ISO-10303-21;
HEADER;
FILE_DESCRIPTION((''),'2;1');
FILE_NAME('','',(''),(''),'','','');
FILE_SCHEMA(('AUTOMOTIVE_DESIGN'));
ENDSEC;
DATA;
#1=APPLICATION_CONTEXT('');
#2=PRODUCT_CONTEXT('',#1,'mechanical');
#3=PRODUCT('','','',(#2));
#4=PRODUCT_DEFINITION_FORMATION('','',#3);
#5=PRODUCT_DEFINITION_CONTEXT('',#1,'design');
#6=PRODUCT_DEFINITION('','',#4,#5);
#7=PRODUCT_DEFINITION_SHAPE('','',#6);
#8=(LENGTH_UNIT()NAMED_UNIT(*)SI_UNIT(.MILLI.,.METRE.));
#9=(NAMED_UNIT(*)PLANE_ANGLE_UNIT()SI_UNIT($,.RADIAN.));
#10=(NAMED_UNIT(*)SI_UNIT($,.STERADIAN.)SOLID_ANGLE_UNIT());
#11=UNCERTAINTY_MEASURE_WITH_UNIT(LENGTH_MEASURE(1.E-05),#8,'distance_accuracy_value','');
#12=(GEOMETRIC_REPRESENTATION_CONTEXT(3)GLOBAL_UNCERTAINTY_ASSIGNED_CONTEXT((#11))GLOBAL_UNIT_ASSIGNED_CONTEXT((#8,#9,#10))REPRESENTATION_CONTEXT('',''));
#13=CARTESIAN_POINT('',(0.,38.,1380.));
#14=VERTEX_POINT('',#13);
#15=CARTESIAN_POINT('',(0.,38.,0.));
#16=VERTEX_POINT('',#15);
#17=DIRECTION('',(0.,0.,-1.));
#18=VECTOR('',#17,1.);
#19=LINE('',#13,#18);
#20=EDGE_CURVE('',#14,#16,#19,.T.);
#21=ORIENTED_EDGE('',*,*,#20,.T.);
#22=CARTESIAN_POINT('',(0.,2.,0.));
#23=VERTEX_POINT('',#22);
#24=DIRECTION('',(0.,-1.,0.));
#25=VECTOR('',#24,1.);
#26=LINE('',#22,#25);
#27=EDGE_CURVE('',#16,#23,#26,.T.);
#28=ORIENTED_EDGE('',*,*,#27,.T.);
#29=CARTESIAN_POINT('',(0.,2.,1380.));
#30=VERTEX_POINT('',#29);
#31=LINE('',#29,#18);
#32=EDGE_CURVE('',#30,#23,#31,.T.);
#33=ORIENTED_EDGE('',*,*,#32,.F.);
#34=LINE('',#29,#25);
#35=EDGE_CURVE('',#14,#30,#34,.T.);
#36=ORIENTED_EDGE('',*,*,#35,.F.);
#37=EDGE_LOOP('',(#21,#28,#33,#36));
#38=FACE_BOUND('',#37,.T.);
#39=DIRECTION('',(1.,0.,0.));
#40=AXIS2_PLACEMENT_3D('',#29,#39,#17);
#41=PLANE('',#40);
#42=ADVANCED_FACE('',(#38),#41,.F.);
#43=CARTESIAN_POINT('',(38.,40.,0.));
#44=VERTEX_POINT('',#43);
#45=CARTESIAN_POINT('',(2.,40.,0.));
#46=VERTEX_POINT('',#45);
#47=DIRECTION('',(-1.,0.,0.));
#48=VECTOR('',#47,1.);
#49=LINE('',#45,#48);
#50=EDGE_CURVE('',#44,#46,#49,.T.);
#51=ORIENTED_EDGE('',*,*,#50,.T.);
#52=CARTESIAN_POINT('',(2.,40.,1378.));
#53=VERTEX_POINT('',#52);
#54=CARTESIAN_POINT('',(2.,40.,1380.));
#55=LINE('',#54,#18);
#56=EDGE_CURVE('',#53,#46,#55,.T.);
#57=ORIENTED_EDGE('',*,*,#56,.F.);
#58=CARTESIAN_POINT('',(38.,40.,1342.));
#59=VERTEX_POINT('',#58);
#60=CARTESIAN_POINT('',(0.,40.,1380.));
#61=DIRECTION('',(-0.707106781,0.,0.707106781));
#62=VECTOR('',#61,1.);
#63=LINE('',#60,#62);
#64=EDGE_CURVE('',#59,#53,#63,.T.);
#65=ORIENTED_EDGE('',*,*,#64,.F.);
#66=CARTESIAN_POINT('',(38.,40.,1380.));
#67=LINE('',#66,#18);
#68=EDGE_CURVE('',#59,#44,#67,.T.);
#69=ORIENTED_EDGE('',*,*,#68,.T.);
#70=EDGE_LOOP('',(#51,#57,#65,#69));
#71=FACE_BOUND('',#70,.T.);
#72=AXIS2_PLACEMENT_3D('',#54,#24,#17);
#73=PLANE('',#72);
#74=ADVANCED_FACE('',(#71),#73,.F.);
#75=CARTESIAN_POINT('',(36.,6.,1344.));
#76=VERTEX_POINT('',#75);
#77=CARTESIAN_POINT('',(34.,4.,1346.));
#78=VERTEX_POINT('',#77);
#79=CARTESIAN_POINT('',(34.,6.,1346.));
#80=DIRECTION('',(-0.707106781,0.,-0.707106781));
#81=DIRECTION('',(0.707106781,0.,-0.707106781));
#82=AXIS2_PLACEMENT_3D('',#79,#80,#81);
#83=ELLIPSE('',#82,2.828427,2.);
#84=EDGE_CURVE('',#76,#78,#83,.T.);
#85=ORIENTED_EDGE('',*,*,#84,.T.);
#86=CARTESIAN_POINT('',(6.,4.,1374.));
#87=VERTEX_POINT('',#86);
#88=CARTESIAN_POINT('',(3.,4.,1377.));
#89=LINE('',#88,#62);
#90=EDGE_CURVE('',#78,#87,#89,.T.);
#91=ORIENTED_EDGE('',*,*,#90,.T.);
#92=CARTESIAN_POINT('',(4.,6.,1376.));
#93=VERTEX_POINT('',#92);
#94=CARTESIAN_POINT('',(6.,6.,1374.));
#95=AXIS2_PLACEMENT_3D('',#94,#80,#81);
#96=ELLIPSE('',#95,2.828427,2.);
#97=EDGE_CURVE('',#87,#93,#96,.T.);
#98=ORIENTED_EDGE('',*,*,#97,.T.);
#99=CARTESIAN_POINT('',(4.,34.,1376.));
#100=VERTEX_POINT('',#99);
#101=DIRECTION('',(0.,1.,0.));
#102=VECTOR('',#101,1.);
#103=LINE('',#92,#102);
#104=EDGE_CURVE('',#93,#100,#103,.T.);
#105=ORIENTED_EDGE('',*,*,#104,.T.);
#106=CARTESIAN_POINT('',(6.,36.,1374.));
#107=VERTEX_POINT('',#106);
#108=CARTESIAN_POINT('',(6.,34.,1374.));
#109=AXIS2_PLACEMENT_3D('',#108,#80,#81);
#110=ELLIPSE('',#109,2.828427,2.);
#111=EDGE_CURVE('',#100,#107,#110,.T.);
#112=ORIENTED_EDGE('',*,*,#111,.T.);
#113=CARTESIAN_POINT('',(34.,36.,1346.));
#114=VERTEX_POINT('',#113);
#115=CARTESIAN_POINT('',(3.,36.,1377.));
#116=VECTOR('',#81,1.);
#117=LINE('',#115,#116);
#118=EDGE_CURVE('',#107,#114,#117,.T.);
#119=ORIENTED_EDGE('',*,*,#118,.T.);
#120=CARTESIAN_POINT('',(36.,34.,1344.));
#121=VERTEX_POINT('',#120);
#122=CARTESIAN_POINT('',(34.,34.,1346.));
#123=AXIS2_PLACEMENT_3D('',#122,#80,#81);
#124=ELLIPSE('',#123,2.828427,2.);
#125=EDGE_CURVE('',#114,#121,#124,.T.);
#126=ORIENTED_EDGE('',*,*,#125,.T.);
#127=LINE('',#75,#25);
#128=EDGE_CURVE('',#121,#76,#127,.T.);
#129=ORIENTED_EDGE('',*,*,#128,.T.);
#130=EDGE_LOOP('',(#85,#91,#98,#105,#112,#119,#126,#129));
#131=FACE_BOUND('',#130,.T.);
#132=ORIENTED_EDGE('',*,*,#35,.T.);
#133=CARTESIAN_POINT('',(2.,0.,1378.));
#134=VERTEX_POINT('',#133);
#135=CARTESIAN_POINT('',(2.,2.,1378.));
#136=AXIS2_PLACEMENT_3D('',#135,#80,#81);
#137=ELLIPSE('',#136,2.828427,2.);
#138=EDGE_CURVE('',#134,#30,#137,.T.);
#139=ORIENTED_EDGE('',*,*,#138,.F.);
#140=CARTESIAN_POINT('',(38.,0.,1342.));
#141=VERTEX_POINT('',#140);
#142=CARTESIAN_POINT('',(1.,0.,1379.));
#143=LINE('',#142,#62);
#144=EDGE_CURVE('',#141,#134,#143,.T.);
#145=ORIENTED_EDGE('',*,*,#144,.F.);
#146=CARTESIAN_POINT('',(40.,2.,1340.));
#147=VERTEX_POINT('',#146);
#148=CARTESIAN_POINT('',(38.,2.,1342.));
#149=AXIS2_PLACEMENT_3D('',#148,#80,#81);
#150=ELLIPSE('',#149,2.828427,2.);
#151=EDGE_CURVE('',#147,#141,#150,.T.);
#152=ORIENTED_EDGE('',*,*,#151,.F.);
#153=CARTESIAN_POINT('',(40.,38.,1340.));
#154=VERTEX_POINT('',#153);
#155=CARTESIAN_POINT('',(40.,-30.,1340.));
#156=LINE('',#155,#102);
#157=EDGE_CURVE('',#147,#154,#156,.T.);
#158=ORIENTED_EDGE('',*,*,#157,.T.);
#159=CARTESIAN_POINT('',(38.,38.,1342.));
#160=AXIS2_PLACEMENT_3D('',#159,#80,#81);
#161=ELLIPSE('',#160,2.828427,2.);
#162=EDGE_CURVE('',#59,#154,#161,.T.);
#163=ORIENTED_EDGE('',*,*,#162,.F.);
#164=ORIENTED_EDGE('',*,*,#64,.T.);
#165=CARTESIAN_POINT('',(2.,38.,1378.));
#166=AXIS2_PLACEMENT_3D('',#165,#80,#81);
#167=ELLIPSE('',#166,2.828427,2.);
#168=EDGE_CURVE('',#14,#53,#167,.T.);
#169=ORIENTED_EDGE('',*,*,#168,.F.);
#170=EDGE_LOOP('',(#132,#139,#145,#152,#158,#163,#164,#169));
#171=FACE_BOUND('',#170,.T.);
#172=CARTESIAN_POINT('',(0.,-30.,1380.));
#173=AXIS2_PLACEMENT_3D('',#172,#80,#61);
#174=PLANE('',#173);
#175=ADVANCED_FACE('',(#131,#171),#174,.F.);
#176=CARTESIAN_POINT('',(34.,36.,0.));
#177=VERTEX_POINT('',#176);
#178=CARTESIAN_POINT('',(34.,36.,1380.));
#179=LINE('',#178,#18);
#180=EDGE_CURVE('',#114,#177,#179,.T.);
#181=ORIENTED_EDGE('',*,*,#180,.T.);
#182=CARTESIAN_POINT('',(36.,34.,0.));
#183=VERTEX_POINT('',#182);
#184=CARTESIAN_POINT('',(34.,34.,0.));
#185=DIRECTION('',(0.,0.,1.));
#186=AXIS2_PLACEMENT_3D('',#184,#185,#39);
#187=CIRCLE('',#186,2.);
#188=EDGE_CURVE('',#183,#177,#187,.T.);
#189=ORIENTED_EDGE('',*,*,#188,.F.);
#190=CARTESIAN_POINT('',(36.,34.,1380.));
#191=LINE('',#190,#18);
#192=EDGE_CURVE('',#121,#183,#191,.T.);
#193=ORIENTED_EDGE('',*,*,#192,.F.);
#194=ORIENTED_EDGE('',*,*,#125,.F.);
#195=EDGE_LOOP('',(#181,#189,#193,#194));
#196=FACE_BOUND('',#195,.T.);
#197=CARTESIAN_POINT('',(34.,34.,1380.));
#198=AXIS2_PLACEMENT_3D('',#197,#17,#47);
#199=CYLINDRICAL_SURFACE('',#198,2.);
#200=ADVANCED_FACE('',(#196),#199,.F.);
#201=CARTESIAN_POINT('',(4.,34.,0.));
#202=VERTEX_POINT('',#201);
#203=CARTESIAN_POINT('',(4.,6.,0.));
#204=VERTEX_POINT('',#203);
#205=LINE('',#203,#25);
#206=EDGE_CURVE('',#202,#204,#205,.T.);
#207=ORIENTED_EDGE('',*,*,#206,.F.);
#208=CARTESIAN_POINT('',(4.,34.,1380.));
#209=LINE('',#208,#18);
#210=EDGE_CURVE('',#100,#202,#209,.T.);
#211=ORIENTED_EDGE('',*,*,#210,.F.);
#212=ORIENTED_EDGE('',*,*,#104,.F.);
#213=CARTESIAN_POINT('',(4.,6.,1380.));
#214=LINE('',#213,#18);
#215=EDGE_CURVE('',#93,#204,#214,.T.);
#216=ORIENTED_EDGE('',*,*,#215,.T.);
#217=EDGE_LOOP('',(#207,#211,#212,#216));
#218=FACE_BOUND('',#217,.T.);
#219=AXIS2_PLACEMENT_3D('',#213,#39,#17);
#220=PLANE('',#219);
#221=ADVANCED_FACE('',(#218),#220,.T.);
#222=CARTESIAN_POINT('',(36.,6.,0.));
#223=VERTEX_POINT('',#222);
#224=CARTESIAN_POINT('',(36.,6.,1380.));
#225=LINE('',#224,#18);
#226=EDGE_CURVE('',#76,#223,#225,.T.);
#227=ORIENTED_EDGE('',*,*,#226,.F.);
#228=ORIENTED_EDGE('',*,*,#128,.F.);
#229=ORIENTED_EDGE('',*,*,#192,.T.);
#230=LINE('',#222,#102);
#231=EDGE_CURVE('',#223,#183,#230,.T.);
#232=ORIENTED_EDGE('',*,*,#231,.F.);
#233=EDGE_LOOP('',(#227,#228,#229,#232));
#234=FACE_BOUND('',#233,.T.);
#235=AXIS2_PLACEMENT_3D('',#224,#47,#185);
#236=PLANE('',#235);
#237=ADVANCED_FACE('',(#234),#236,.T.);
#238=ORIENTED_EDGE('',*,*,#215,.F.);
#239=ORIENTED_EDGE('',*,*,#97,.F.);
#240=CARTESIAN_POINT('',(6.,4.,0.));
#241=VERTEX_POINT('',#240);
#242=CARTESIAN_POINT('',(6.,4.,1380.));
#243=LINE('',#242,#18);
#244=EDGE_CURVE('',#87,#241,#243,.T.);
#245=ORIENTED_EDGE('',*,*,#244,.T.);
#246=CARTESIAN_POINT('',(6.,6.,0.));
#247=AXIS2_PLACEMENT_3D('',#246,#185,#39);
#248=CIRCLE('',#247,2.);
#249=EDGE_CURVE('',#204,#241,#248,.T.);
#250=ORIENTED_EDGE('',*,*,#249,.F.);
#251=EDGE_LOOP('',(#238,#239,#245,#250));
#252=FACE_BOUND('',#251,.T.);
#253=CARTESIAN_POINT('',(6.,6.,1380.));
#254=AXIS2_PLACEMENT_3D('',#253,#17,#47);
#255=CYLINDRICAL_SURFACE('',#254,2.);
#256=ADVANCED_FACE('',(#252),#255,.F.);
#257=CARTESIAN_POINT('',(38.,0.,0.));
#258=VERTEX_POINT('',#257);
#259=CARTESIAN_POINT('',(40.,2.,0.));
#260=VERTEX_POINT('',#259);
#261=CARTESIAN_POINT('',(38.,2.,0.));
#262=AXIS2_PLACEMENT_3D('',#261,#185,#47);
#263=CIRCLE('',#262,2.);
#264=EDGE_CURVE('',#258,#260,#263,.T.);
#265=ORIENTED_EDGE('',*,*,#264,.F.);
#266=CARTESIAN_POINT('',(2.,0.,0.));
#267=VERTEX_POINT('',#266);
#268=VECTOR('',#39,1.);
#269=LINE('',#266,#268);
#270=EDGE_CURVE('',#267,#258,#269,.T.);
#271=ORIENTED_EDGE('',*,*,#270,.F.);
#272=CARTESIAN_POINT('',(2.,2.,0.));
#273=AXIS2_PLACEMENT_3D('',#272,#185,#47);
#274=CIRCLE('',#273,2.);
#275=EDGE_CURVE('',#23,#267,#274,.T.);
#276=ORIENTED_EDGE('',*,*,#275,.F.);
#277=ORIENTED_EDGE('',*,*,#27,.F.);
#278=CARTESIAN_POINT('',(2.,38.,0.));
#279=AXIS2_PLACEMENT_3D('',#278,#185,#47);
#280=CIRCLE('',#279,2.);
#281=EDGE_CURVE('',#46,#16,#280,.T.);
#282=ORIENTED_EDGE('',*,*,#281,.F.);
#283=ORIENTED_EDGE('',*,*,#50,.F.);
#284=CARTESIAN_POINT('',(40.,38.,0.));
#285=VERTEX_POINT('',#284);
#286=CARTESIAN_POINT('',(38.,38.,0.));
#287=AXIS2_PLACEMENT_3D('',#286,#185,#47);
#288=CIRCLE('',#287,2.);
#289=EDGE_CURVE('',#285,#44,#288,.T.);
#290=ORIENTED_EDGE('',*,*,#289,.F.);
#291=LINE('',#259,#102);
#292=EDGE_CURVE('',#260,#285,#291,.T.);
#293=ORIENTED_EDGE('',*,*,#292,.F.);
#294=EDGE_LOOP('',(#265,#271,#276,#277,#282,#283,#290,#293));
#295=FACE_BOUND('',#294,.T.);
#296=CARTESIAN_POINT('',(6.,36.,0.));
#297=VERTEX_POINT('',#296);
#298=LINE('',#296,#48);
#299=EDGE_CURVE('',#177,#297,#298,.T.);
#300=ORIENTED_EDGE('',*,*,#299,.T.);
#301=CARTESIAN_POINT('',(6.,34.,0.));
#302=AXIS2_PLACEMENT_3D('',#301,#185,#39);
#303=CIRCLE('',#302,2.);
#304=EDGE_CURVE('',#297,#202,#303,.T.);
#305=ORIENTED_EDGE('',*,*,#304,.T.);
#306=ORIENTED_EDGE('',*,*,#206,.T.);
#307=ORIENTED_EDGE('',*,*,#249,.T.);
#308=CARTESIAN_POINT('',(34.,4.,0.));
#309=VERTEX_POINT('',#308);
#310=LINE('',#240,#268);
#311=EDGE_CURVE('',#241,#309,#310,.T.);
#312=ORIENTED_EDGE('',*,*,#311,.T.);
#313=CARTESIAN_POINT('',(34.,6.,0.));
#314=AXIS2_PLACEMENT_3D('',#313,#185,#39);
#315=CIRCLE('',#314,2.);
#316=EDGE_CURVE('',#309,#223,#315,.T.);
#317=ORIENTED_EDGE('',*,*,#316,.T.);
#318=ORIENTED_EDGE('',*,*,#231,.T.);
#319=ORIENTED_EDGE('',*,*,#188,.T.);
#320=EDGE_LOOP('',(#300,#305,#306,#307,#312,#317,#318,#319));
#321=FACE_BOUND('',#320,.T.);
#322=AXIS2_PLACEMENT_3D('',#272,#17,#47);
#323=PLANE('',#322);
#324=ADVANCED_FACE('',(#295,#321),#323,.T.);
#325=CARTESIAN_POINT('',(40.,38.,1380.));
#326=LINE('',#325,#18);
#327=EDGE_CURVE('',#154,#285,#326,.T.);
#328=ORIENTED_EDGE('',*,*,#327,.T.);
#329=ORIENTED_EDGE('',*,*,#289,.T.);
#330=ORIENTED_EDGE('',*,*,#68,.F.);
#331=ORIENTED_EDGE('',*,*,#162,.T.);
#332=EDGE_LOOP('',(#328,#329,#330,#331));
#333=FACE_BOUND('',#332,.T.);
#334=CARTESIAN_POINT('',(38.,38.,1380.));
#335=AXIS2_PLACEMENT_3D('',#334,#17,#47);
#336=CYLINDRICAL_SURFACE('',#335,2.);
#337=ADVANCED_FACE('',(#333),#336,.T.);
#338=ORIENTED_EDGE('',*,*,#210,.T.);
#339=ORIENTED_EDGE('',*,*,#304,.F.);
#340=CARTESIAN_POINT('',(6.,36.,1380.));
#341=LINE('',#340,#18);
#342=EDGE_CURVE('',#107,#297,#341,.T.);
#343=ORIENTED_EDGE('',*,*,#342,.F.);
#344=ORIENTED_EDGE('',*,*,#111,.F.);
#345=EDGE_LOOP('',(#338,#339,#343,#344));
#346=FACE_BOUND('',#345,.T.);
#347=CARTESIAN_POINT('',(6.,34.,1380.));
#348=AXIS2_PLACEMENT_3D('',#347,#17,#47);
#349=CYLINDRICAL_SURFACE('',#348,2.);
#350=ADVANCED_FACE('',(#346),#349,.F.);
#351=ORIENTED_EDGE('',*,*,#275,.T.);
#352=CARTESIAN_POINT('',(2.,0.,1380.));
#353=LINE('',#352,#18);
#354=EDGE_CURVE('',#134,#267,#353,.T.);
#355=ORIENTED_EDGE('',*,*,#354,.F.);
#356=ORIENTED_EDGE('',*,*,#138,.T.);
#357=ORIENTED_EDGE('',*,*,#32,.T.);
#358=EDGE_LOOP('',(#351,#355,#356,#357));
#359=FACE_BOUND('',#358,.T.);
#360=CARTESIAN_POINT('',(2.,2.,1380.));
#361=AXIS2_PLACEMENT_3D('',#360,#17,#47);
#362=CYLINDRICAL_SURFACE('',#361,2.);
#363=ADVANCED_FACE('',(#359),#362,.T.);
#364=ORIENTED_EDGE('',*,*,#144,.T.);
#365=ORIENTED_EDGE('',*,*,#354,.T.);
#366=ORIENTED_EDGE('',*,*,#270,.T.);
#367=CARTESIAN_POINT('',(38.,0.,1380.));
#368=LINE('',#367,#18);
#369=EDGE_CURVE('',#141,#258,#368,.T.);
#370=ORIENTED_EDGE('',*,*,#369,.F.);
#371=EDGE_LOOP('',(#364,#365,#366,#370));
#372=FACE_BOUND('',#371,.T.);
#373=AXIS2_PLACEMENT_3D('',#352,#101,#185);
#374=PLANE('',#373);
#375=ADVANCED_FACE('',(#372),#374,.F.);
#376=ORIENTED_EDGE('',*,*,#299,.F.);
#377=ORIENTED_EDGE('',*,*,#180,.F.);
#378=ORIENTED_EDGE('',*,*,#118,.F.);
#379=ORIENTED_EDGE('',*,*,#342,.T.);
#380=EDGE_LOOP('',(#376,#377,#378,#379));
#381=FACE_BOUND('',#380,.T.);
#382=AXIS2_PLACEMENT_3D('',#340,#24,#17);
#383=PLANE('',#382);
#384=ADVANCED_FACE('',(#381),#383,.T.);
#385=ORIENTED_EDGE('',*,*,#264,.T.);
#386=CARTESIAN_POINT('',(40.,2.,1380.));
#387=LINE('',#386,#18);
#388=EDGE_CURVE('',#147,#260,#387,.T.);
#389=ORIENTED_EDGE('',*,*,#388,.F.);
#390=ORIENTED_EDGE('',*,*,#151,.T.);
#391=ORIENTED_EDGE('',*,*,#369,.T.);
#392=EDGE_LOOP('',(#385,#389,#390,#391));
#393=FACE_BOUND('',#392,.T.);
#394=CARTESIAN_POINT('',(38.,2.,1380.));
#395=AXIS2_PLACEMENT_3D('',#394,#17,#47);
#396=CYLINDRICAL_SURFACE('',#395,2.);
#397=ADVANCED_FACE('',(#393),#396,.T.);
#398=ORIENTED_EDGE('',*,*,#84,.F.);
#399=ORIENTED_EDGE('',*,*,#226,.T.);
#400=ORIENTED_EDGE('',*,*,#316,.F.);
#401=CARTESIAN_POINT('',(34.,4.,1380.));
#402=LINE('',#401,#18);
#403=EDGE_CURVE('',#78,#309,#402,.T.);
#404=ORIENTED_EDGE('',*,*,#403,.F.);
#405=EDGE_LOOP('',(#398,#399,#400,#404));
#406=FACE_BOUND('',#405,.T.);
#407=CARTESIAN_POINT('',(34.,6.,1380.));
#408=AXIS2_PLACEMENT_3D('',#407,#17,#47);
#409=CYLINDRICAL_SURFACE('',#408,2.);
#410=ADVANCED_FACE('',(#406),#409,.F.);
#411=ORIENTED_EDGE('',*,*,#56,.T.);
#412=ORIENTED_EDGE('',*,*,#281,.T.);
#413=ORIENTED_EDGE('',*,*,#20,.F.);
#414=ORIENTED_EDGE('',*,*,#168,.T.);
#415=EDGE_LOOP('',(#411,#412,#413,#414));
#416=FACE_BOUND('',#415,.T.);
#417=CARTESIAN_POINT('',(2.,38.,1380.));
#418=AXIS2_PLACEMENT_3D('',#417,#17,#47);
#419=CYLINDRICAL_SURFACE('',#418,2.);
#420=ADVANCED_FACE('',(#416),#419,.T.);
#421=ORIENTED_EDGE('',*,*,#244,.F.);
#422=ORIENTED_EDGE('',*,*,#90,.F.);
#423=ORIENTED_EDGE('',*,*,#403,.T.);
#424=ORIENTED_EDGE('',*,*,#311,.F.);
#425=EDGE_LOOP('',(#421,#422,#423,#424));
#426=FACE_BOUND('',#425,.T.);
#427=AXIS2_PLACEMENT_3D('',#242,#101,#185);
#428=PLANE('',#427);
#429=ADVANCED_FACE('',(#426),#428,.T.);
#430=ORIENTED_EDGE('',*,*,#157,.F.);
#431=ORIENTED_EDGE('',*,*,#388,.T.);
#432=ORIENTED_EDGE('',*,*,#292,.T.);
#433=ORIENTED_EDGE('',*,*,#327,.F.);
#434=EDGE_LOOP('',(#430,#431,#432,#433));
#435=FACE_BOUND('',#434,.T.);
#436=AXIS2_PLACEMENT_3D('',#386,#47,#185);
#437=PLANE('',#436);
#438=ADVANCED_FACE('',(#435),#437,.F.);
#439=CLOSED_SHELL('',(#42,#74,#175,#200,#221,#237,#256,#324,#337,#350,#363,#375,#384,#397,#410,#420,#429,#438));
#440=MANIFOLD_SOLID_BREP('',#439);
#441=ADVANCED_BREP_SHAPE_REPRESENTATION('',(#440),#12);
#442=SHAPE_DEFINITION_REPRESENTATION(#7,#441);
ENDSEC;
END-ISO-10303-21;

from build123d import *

# Parameters (mm, degrees)
BOSS_EXTRU_1_DEPTH      = 1380
ENL_V_MAT_EXTRU_1_DEPTH = 70


with BuildPart() as part:
    # Esquisse2 → Boss.-Extru.1 (new body)
    with BuildSketch(Plane.XY):
        with BuildLine():
            Line((2, 0), (38, 0))
            ThreePointArc((38, 0), (39.414213562, 0.585786438), (40, 2))
            Line((40, 2), (40, 38))
            ThreePointArc((40, 38), (39.414213562, 39.414213562), (38, 40))
            Line((38, 40), (2, 40))
            ThreePointArc((2, 40), (0.585786438, 39.414213562), (0, 38))
            Line((0, 38), (0, 2))
            ThreePointArc((0, 2), (0.585786438, 0.585786438), (2, 0))
        make_face()
        with BuildLine():
            Line((6, 4), (34, 4))
            ThreePointArc((34, 4), (35.414213562, 4.585786438), (36, 6))
            Line((36, 6), (36, 34))
            ThreePointArc((36, 34), (35.414213562, 35.414213562), (34, 36))
            Line((34, 36), (6, 36))
            ThreePointArc((6, 36), (4.585786438, 35.414213562), (4, 34))
            Line((4, 34), (4, 6))
            ThreePointArc((4, 6), (4.585786438, 4.585786438), (6, 4))
        make_face(mode=Mode.SUBTRACT)
    extrude(amount=BOSS_EXTRU_1_DEPTH)

    # Esquisse3 → Enlèv. mat.-Extru.1 (cut)
    with BuildSketch(Plane(origin=(0, 40, 0), x_dir=(1, 0, 0), z_dir=(0, 1, 0))):
        Polygon((0, -1380), (40, -1340), (40, -1380), align=None)
    extrude(amount=-ENL_V_MAT_EXTRU_1_DEPTH, mode=Mode.SUBTRACT)


solid = part.part
